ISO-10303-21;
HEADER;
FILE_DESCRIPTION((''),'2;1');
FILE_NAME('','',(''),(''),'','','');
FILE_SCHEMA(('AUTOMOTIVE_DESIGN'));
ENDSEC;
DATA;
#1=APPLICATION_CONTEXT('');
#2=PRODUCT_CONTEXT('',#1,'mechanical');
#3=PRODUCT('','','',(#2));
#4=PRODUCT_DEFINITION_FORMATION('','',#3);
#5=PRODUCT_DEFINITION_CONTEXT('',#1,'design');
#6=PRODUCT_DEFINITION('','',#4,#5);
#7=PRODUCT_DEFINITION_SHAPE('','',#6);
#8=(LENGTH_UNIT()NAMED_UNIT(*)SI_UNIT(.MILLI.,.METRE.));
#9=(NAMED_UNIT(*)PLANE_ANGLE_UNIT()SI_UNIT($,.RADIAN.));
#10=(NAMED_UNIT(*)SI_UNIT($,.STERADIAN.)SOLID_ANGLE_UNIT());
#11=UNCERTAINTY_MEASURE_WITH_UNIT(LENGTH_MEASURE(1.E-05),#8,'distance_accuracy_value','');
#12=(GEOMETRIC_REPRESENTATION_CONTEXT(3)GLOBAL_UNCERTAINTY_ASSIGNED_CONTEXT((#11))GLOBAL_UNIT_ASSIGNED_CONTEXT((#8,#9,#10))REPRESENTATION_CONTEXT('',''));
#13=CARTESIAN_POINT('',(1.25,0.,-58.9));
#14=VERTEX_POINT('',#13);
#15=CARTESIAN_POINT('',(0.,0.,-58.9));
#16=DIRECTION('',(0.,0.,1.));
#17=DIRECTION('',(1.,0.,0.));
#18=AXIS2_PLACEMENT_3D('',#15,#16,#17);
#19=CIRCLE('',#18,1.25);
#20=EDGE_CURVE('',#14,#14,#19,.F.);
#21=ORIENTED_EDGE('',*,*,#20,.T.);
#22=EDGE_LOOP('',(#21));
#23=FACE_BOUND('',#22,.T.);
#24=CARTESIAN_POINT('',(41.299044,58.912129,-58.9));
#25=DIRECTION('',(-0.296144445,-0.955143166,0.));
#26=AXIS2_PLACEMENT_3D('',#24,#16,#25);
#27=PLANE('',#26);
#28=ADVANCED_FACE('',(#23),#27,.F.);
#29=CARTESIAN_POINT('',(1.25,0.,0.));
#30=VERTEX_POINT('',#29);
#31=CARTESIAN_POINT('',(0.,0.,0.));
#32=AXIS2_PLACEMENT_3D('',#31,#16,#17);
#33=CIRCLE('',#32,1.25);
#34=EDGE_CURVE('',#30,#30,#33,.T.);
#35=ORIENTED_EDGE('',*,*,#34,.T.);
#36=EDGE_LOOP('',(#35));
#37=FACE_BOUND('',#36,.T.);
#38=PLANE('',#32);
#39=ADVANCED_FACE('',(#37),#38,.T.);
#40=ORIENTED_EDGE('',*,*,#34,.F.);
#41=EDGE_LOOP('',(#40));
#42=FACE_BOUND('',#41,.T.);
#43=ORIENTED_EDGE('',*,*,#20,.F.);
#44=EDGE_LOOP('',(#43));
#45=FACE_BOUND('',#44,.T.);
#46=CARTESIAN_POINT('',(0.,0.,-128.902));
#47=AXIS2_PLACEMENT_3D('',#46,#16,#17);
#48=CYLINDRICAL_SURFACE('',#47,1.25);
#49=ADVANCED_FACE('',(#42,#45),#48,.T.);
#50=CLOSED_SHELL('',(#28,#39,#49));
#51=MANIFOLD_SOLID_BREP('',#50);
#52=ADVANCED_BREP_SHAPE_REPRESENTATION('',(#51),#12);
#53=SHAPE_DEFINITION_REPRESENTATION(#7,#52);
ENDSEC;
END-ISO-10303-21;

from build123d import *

# Parameters (mm, degrees)
CROQUIS1_R              = 1.25
SALIENTE_EXTRUIR1_DEPTH = 58.9


with BuildPart() as part:
    # Croquis1 → Saliente-Extruir1 (new body)
    with BuildSketch(Plane.XY):
        Circle(CROQUIS1_R)
    extrude(amount=-SALIENTE_EXTRUIR1_DEPTH)


solid = part.part
